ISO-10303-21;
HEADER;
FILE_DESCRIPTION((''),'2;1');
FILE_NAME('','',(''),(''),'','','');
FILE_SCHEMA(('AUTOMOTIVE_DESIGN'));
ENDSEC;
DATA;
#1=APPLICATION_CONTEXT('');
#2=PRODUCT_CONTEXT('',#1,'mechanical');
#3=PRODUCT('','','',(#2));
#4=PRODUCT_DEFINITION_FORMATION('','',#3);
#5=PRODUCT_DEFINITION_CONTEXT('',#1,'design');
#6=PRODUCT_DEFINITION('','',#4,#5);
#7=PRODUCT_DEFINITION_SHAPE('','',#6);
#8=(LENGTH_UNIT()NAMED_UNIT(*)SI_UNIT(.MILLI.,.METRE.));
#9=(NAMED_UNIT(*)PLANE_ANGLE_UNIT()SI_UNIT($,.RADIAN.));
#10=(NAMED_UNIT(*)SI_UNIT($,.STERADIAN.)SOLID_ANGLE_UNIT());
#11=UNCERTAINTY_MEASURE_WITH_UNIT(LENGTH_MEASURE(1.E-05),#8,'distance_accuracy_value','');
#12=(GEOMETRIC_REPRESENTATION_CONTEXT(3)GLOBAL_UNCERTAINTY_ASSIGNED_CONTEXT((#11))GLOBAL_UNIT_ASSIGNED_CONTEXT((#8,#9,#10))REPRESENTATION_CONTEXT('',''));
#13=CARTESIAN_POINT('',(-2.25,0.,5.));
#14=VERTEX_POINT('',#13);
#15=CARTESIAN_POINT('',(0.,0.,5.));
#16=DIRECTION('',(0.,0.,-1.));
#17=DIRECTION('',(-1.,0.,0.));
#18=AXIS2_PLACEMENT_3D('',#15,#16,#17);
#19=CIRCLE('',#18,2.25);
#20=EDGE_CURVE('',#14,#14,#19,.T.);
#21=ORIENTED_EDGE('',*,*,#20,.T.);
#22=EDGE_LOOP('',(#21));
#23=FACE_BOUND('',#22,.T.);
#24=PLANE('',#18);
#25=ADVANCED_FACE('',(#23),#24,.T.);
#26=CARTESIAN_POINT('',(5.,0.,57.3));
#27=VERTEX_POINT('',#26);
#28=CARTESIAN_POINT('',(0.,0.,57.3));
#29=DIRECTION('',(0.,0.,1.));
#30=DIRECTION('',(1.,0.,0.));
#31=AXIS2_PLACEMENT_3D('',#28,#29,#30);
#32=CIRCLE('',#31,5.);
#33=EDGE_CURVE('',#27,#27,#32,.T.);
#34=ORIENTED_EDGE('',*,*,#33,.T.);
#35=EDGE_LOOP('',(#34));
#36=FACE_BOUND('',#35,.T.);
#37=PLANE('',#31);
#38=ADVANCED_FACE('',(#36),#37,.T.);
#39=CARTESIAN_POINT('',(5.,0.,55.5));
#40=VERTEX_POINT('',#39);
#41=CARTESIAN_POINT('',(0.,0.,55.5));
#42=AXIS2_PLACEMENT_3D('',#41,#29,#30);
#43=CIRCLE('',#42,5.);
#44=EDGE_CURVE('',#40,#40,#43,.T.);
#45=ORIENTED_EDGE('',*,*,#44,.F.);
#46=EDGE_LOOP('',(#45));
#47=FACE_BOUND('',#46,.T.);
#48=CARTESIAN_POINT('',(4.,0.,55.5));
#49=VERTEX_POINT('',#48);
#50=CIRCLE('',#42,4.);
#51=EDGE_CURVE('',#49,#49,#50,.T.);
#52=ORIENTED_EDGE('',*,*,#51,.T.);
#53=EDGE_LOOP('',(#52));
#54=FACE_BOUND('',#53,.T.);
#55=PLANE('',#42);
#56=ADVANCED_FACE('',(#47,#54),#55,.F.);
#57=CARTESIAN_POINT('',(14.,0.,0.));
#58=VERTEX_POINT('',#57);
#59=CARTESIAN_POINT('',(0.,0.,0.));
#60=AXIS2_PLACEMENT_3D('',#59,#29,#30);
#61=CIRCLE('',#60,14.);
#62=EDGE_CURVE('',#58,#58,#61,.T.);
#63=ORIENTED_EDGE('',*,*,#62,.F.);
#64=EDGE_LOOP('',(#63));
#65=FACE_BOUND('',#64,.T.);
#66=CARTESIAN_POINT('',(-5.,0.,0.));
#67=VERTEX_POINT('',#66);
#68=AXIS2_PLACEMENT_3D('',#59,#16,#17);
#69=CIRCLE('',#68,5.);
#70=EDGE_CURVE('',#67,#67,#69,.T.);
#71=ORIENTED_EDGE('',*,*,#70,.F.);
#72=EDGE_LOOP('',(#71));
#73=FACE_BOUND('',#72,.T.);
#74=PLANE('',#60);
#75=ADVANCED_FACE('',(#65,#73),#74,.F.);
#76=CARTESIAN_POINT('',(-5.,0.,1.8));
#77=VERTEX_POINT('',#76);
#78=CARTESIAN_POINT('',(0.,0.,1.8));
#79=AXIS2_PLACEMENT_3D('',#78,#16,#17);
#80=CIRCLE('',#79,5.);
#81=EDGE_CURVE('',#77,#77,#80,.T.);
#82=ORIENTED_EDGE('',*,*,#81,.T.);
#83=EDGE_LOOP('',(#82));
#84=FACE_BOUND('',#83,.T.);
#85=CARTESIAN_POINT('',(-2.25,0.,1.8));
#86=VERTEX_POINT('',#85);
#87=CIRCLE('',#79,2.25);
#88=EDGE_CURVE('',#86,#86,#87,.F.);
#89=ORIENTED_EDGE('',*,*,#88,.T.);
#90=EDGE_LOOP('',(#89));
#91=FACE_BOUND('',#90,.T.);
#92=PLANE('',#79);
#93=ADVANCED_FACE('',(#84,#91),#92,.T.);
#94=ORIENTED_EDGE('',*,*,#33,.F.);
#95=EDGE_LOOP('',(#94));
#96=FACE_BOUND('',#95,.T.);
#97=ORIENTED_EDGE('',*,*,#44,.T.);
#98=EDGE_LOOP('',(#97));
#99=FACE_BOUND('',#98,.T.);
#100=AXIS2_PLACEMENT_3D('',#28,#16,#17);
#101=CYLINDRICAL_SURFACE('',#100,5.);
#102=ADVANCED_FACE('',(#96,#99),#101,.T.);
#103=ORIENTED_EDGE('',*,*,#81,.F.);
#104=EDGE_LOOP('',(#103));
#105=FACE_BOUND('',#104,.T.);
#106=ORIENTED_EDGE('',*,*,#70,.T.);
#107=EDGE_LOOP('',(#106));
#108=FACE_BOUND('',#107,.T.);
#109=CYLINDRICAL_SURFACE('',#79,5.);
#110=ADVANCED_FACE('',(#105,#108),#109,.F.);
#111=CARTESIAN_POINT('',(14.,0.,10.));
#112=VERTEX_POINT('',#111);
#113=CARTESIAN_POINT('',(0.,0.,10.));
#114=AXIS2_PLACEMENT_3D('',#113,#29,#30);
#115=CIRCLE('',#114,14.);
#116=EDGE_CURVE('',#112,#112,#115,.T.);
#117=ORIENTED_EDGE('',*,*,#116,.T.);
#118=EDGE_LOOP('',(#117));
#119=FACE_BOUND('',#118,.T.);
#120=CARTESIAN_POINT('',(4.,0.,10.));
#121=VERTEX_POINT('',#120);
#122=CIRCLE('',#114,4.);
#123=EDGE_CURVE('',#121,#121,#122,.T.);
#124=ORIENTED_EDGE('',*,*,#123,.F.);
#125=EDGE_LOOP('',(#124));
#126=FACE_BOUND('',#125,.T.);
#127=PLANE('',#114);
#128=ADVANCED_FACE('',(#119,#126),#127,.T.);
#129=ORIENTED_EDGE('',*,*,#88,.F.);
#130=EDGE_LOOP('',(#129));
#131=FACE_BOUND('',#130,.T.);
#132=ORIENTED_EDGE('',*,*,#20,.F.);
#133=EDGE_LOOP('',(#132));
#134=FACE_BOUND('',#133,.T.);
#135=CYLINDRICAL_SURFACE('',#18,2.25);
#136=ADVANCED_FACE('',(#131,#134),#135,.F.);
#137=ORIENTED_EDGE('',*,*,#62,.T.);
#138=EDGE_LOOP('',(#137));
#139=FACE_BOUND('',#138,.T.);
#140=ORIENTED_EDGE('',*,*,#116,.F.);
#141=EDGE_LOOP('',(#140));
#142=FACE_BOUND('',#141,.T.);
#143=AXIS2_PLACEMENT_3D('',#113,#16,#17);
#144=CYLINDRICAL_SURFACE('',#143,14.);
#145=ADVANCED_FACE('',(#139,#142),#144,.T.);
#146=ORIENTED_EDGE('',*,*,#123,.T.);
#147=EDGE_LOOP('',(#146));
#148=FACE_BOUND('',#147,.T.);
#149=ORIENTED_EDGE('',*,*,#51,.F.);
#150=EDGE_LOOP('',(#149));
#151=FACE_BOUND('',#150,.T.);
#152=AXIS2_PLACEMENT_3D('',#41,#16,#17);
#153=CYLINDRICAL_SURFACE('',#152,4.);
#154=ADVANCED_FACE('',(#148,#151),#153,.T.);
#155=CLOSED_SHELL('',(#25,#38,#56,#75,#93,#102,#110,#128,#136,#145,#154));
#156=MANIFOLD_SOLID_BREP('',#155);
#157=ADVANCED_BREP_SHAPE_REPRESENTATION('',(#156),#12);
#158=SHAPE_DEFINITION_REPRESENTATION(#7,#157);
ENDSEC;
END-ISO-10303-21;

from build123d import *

# Parameters (mm, degrees)
SKETCH1_R                = 14
BOSS_EXTRUDE1_DEPTH      = 10
SKETCH2_R                = 2.25
CUT_EXTRUDE1_DEPTH       = 5
SKETCH3_R                = 5
CUT_EXTRUDE2_DEPTH       = 1.8
SKETCH11_R               = 4
BOSS_EXTRUDE2_DEPTH      = 45.5
ESBO_O2_R                = 5
RESSALTO_EXTRUS_O1_DEPTH = 1.8


with BuildPart() as part:
    # Sketch1 → Boss-Extrude1 (new body)
    with BuildSketch(Plane.XY):
        Circle(SKETCH1_R)
    extrude(amount=BOSS_EXTRUDE1_DEPTH)

    # Sketch2 → Cut-Extrude1 (cut)
    with BuildSketch(Plane(origin=(0, 0, 0), x_dir=(-1, 0, 0), z_dir=(0, 0, -1))):
        Circle(SKETCH2_R)
    extrude(amount=-CUT_EXTRUDE1_DEPTH, mode=Mode.SUBTRACT)

    # Sketch3 → Cut-Extrude2 (cut)
    with BuildSketch(Plane(origin=(0, 0, 0), x_dir=(-1, 0, 0), z_dir=(0, 0, -1))):
        Circle(SKETCH3_R)
    extrude(amount=-CUT_EXTRUDE2_DEPTH, mode=Mode.SUBTRACT)

    # Sketch11 → Boss-Extrude2 (add)
    with BuildSketch(Plane.XY.offset(10)):
        Circle(SKETCH11_R)
    extrude(amount=BOSS_EXTRUDE2_DEPTH)

    # Esboço2 → Ressalto-extrusão1 (add)
    with BuildSketch(Plane.XY.offset(55.5)):
        with Locations(Location((0, 0, 0), (0, 0, 180))):
            Circle(ESBO_O2_R)
    extrude(amount=RESSALTO_EXTRUS_O1_DEPTH)


solid = part.part
